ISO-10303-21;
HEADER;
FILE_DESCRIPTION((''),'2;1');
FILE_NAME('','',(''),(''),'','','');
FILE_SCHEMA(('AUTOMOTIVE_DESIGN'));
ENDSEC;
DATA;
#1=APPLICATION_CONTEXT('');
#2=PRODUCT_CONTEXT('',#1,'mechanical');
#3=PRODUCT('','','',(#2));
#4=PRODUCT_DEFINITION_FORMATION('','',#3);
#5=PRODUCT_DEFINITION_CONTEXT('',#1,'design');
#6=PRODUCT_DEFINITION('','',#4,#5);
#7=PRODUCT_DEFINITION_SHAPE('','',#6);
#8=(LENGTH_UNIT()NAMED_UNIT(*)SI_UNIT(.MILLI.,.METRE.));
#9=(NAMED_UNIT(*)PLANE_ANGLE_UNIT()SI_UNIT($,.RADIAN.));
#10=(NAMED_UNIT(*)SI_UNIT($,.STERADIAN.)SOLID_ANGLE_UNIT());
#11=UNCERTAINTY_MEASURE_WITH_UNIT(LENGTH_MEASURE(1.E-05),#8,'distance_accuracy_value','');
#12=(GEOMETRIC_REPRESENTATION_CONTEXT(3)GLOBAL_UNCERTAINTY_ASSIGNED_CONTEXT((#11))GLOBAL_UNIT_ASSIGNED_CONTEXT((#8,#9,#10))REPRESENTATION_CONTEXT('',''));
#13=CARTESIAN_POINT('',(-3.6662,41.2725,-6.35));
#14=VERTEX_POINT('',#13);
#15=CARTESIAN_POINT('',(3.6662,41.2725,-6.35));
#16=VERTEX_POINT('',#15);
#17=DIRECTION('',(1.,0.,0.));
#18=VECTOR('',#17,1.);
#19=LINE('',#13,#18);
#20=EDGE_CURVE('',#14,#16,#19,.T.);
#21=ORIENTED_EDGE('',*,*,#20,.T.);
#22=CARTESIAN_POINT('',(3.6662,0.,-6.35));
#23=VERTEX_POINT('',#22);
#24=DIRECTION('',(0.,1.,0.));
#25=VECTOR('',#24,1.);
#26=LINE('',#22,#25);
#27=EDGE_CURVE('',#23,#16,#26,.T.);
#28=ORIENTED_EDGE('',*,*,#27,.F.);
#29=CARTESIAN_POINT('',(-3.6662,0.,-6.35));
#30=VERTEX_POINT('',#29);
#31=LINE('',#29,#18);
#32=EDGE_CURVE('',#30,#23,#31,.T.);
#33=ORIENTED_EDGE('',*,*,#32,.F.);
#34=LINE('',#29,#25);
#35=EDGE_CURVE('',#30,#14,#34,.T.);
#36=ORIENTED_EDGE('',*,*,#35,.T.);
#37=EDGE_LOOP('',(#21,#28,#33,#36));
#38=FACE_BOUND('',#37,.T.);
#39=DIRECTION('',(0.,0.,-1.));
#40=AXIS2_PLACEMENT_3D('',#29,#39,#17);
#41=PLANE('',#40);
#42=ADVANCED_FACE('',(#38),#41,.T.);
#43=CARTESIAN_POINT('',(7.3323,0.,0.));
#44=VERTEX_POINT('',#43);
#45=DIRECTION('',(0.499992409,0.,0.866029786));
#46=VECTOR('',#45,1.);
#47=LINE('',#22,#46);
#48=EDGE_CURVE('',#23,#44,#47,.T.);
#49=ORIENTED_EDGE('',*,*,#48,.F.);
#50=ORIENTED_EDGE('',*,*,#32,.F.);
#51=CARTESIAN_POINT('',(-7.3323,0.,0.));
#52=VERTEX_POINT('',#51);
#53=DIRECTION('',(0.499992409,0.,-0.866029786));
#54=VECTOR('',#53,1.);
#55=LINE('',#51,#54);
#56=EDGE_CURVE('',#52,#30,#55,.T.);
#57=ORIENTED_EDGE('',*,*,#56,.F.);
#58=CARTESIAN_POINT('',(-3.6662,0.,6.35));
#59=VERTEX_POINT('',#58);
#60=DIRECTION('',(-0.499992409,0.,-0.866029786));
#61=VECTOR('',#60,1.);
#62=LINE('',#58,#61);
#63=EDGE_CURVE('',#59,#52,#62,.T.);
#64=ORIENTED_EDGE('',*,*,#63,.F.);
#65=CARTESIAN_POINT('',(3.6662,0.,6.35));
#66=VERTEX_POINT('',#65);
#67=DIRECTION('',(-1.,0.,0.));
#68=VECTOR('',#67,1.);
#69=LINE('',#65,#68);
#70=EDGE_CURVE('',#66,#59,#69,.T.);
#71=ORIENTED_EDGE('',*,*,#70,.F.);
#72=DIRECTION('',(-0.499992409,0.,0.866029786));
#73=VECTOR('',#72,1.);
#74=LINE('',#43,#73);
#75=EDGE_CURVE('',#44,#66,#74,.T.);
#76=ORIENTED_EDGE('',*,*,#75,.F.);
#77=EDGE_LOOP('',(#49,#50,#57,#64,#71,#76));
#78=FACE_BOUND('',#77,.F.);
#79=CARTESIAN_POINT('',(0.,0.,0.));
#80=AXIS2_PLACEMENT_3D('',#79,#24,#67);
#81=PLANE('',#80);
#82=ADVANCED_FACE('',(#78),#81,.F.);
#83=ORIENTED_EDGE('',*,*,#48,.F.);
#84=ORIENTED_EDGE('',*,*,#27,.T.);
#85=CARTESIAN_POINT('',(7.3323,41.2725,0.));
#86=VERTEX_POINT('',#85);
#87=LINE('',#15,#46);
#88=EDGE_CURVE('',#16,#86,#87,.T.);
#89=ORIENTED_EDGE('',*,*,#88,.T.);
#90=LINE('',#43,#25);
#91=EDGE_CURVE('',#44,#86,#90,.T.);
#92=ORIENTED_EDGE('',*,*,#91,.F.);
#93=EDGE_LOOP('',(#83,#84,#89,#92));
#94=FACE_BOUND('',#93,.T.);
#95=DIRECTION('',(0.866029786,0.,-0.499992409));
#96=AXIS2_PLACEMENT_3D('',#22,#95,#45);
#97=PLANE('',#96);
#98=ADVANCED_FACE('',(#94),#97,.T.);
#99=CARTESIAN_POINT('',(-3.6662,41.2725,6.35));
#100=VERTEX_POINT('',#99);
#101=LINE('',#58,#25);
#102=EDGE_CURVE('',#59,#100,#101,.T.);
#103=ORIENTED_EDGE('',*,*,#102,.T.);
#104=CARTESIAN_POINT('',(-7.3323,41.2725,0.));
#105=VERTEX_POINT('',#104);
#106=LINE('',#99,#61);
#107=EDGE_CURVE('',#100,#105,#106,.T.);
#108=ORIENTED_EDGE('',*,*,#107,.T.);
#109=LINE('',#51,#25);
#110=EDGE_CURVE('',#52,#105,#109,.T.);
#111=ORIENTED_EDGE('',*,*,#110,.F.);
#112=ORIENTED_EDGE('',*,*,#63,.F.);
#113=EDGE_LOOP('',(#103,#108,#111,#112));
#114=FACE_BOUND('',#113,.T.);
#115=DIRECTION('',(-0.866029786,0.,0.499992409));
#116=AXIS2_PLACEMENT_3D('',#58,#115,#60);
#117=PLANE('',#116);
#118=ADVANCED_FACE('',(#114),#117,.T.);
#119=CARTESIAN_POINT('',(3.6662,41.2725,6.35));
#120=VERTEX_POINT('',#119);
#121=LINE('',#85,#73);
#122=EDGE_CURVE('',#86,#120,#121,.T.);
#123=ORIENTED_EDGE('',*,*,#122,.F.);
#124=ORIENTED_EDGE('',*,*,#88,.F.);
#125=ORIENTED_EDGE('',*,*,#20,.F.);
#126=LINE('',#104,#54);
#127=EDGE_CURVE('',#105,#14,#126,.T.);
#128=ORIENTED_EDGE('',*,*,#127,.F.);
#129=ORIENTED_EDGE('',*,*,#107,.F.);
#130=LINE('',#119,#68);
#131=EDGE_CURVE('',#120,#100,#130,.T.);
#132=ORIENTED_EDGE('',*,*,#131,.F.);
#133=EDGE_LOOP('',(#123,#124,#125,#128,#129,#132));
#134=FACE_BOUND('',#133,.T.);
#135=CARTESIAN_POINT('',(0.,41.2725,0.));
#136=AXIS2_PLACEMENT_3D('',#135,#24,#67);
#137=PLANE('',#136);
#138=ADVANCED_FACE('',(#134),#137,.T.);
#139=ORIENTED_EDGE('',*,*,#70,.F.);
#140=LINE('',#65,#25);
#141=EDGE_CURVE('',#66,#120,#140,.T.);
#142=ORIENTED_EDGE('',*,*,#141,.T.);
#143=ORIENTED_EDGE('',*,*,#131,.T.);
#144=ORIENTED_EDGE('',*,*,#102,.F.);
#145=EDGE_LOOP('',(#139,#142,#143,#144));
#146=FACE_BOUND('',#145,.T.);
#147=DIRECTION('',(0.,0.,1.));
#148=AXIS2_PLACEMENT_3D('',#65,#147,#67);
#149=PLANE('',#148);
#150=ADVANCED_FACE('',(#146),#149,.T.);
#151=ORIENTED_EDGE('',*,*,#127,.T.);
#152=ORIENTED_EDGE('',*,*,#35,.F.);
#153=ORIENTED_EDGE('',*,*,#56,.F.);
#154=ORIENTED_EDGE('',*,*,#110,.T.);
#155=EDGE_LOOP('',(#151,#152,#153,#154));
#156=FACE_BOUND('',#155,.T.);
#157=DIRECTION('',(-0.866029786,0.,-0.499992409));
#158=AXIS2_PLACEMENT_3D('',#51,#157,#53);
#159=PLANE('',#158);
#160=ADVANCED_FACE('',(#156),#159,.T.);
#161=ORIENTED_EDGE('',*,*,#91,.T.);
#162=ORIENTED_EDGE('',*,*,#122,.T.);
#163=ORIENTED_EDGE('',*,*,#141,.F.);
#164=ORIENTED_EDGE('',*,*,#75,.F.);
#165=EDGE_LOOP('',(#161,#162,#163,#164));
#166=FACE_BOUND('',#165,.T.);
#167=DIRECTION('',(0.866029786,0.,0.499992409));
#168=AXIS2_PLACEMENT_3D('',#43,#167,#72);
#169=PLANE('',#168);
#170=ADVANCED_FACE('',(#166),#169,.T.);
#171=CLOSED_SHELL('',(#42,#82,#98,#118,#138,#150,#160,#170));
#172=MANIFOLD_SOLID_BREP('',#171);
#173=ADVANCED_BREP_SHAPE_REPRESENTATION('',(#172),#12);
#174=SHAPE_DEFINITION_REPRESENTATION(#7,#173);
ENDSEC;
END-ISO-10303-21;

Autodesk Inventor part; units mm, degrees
ref_plane "YZ Plane" through (0, 0, 0) normal (1, 0, 0) x (0, 1, 0)
ref_plane "XZ Plane" through (0, 0, 0) normal (0, 1, 0) x (-1, 0, 0)
ref_plane "XY Plane" through (0, 0, 0) normal (0, 0, 1) x (1, 0, 0)
sketch "Sketch1" plane through (0, 0, 0) normal (0, 1, 0) x (-1, 0, 0)
  line L0 (3.6662, 6.35) -> (7.3323, 0)
  line L1 (7.3323, 0) -> (3.6662, -6.35)
  line L2 (3.6662, -6.35) -> (-3.6662, -6.35)
  line L3 (-3.6662, -6.35) -> (-7.3323, 0)
  line L4 (-7.3323, 0) -> (-3.6662, 6.35)
  line L5 (-3.6662, 6.35) -> (3.6662, 6.35)
  point P0 (0, 0)
  point P1 (0, 0)
  dimension "d0" = 12.7
extrude "Extrusion1" add sketch "Sketch1" along normal blind 41.2725
properties part number "STOCK,REVERSER,HEX"
